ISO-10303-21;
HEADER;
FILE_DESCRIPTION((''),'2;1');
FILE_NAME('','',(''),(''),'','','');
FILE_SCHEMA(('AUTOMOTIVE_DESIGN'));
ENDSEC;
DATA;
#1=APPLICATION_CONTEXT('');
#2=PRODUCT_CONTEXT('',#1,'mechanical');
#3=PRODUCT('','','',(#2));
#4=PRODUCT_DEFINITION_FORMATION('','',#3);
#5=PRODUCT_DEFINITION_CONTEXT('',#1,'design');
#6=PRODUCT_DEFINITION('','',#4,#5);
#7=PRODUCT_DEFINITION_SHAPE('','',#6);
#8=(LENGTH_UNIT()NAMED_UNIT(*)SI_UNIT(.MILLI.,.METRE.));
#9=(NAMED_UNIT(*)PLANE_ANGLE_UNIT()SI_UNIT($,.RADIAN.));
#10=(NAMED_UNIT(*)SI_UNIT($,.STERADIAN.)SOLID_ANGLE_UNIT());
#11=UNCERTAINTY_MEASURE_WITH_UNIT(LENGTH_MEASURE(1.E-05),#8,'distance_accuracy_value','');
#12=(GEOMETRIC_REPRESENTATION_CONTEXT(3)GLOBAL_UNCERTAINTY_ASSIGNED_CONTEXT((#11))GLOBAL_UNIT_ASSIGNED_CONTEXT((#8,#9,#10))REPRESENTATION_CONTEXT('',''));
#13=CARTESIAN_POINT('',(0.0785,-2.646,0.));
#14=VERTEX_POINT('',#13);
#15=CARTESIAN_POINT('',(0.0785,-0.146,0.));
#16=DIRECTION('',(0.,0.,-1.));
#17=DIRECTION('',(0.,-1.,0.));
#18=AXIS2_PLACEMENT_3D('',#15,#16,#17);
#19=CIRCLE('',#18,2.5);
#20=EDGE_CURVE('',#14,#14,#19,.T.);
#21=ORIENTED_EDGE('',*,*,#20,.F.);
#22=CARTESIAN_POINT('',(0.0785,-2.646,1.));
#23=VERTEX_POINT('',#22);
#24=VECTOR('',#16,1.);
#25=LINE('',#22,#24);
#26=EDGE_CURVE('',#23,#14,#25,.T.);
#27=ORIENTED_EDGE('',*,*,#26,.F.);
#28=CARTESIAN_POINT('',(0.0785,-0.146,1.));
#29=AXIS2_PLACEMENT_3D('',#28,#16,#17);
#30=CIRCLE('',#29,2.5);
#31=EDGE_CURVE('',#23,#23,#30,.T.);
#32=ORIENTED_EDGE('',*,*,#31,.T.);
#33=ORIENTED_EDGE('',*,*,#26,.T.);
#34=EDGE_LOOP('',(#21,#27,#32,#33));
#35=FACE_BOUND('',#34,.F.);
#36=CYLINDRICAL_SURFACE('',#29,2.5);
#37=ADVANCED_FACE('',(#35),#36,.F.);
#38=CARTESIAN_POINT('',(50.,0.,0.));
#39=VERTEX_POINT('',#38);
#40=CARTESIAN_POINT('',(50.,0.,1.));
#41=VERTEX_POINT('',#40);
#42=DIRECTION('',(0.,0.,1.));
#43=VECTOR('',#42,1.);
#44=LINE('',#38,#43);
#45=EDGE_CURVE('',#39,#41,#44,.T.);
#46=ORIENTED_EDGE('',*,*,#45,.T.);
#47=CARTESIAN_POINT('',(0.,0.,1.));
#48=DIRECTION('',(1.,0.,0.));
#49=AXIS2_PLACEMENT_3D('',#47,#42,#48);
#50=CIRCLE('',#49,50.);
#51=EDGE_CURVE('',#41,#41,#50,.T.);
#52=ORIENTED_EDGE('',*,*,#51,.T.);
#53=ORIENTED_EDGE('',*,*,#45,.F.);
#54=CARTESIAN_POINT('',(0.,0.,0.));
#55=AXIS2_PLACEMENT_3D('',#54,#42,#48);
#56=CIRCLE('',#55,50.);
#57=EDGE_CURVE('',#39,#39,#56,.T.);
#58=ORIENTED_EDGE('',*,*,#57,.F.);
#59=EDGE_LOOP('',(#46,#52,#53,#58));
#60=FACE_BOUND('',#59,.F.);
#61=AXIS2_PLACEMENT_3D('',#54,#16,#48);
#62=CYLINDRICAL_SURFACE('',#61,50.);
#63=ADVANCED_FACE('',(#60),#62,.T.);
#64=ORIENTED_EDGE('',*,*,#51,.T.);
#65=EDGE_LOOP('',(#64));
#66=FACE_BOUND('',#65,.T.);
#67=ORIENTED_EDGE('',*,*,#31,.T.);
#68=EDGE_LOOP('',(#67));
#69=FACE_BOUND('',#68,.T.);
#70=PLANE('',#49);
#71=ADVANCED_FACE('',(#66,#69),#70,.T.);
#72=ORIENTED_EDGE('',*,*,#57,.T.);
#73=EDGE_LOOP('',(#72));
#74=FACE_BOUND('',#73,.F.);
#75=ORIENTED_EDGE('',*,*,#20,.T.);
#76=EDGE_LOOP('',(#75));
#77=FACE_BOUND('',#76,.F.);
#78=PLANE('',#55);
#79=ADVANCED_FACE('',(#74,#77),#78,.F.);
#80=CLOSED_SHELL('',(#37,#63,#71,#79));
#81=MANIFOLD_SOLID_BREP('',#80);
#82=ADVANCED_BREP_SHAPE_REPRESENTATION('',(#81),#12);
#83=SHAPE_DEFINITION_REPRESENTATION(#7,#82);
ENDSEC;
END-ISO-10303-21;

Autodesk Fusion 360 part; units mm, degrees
sketch "Sketch1" plane through (0, 0, 0) normal (0, 0, 1) x (1, 0, 0)
  circle A0 centre (0, 0) radius 50
  dimension "d1" = 100
extrude "Extrude1" add sketch "Sketch1" along normal blind 1
hole "Hole1" at (0.0785, -0.146, 1) direction (0, 0, -1) diameter 5 depth 1 tip angle 180
